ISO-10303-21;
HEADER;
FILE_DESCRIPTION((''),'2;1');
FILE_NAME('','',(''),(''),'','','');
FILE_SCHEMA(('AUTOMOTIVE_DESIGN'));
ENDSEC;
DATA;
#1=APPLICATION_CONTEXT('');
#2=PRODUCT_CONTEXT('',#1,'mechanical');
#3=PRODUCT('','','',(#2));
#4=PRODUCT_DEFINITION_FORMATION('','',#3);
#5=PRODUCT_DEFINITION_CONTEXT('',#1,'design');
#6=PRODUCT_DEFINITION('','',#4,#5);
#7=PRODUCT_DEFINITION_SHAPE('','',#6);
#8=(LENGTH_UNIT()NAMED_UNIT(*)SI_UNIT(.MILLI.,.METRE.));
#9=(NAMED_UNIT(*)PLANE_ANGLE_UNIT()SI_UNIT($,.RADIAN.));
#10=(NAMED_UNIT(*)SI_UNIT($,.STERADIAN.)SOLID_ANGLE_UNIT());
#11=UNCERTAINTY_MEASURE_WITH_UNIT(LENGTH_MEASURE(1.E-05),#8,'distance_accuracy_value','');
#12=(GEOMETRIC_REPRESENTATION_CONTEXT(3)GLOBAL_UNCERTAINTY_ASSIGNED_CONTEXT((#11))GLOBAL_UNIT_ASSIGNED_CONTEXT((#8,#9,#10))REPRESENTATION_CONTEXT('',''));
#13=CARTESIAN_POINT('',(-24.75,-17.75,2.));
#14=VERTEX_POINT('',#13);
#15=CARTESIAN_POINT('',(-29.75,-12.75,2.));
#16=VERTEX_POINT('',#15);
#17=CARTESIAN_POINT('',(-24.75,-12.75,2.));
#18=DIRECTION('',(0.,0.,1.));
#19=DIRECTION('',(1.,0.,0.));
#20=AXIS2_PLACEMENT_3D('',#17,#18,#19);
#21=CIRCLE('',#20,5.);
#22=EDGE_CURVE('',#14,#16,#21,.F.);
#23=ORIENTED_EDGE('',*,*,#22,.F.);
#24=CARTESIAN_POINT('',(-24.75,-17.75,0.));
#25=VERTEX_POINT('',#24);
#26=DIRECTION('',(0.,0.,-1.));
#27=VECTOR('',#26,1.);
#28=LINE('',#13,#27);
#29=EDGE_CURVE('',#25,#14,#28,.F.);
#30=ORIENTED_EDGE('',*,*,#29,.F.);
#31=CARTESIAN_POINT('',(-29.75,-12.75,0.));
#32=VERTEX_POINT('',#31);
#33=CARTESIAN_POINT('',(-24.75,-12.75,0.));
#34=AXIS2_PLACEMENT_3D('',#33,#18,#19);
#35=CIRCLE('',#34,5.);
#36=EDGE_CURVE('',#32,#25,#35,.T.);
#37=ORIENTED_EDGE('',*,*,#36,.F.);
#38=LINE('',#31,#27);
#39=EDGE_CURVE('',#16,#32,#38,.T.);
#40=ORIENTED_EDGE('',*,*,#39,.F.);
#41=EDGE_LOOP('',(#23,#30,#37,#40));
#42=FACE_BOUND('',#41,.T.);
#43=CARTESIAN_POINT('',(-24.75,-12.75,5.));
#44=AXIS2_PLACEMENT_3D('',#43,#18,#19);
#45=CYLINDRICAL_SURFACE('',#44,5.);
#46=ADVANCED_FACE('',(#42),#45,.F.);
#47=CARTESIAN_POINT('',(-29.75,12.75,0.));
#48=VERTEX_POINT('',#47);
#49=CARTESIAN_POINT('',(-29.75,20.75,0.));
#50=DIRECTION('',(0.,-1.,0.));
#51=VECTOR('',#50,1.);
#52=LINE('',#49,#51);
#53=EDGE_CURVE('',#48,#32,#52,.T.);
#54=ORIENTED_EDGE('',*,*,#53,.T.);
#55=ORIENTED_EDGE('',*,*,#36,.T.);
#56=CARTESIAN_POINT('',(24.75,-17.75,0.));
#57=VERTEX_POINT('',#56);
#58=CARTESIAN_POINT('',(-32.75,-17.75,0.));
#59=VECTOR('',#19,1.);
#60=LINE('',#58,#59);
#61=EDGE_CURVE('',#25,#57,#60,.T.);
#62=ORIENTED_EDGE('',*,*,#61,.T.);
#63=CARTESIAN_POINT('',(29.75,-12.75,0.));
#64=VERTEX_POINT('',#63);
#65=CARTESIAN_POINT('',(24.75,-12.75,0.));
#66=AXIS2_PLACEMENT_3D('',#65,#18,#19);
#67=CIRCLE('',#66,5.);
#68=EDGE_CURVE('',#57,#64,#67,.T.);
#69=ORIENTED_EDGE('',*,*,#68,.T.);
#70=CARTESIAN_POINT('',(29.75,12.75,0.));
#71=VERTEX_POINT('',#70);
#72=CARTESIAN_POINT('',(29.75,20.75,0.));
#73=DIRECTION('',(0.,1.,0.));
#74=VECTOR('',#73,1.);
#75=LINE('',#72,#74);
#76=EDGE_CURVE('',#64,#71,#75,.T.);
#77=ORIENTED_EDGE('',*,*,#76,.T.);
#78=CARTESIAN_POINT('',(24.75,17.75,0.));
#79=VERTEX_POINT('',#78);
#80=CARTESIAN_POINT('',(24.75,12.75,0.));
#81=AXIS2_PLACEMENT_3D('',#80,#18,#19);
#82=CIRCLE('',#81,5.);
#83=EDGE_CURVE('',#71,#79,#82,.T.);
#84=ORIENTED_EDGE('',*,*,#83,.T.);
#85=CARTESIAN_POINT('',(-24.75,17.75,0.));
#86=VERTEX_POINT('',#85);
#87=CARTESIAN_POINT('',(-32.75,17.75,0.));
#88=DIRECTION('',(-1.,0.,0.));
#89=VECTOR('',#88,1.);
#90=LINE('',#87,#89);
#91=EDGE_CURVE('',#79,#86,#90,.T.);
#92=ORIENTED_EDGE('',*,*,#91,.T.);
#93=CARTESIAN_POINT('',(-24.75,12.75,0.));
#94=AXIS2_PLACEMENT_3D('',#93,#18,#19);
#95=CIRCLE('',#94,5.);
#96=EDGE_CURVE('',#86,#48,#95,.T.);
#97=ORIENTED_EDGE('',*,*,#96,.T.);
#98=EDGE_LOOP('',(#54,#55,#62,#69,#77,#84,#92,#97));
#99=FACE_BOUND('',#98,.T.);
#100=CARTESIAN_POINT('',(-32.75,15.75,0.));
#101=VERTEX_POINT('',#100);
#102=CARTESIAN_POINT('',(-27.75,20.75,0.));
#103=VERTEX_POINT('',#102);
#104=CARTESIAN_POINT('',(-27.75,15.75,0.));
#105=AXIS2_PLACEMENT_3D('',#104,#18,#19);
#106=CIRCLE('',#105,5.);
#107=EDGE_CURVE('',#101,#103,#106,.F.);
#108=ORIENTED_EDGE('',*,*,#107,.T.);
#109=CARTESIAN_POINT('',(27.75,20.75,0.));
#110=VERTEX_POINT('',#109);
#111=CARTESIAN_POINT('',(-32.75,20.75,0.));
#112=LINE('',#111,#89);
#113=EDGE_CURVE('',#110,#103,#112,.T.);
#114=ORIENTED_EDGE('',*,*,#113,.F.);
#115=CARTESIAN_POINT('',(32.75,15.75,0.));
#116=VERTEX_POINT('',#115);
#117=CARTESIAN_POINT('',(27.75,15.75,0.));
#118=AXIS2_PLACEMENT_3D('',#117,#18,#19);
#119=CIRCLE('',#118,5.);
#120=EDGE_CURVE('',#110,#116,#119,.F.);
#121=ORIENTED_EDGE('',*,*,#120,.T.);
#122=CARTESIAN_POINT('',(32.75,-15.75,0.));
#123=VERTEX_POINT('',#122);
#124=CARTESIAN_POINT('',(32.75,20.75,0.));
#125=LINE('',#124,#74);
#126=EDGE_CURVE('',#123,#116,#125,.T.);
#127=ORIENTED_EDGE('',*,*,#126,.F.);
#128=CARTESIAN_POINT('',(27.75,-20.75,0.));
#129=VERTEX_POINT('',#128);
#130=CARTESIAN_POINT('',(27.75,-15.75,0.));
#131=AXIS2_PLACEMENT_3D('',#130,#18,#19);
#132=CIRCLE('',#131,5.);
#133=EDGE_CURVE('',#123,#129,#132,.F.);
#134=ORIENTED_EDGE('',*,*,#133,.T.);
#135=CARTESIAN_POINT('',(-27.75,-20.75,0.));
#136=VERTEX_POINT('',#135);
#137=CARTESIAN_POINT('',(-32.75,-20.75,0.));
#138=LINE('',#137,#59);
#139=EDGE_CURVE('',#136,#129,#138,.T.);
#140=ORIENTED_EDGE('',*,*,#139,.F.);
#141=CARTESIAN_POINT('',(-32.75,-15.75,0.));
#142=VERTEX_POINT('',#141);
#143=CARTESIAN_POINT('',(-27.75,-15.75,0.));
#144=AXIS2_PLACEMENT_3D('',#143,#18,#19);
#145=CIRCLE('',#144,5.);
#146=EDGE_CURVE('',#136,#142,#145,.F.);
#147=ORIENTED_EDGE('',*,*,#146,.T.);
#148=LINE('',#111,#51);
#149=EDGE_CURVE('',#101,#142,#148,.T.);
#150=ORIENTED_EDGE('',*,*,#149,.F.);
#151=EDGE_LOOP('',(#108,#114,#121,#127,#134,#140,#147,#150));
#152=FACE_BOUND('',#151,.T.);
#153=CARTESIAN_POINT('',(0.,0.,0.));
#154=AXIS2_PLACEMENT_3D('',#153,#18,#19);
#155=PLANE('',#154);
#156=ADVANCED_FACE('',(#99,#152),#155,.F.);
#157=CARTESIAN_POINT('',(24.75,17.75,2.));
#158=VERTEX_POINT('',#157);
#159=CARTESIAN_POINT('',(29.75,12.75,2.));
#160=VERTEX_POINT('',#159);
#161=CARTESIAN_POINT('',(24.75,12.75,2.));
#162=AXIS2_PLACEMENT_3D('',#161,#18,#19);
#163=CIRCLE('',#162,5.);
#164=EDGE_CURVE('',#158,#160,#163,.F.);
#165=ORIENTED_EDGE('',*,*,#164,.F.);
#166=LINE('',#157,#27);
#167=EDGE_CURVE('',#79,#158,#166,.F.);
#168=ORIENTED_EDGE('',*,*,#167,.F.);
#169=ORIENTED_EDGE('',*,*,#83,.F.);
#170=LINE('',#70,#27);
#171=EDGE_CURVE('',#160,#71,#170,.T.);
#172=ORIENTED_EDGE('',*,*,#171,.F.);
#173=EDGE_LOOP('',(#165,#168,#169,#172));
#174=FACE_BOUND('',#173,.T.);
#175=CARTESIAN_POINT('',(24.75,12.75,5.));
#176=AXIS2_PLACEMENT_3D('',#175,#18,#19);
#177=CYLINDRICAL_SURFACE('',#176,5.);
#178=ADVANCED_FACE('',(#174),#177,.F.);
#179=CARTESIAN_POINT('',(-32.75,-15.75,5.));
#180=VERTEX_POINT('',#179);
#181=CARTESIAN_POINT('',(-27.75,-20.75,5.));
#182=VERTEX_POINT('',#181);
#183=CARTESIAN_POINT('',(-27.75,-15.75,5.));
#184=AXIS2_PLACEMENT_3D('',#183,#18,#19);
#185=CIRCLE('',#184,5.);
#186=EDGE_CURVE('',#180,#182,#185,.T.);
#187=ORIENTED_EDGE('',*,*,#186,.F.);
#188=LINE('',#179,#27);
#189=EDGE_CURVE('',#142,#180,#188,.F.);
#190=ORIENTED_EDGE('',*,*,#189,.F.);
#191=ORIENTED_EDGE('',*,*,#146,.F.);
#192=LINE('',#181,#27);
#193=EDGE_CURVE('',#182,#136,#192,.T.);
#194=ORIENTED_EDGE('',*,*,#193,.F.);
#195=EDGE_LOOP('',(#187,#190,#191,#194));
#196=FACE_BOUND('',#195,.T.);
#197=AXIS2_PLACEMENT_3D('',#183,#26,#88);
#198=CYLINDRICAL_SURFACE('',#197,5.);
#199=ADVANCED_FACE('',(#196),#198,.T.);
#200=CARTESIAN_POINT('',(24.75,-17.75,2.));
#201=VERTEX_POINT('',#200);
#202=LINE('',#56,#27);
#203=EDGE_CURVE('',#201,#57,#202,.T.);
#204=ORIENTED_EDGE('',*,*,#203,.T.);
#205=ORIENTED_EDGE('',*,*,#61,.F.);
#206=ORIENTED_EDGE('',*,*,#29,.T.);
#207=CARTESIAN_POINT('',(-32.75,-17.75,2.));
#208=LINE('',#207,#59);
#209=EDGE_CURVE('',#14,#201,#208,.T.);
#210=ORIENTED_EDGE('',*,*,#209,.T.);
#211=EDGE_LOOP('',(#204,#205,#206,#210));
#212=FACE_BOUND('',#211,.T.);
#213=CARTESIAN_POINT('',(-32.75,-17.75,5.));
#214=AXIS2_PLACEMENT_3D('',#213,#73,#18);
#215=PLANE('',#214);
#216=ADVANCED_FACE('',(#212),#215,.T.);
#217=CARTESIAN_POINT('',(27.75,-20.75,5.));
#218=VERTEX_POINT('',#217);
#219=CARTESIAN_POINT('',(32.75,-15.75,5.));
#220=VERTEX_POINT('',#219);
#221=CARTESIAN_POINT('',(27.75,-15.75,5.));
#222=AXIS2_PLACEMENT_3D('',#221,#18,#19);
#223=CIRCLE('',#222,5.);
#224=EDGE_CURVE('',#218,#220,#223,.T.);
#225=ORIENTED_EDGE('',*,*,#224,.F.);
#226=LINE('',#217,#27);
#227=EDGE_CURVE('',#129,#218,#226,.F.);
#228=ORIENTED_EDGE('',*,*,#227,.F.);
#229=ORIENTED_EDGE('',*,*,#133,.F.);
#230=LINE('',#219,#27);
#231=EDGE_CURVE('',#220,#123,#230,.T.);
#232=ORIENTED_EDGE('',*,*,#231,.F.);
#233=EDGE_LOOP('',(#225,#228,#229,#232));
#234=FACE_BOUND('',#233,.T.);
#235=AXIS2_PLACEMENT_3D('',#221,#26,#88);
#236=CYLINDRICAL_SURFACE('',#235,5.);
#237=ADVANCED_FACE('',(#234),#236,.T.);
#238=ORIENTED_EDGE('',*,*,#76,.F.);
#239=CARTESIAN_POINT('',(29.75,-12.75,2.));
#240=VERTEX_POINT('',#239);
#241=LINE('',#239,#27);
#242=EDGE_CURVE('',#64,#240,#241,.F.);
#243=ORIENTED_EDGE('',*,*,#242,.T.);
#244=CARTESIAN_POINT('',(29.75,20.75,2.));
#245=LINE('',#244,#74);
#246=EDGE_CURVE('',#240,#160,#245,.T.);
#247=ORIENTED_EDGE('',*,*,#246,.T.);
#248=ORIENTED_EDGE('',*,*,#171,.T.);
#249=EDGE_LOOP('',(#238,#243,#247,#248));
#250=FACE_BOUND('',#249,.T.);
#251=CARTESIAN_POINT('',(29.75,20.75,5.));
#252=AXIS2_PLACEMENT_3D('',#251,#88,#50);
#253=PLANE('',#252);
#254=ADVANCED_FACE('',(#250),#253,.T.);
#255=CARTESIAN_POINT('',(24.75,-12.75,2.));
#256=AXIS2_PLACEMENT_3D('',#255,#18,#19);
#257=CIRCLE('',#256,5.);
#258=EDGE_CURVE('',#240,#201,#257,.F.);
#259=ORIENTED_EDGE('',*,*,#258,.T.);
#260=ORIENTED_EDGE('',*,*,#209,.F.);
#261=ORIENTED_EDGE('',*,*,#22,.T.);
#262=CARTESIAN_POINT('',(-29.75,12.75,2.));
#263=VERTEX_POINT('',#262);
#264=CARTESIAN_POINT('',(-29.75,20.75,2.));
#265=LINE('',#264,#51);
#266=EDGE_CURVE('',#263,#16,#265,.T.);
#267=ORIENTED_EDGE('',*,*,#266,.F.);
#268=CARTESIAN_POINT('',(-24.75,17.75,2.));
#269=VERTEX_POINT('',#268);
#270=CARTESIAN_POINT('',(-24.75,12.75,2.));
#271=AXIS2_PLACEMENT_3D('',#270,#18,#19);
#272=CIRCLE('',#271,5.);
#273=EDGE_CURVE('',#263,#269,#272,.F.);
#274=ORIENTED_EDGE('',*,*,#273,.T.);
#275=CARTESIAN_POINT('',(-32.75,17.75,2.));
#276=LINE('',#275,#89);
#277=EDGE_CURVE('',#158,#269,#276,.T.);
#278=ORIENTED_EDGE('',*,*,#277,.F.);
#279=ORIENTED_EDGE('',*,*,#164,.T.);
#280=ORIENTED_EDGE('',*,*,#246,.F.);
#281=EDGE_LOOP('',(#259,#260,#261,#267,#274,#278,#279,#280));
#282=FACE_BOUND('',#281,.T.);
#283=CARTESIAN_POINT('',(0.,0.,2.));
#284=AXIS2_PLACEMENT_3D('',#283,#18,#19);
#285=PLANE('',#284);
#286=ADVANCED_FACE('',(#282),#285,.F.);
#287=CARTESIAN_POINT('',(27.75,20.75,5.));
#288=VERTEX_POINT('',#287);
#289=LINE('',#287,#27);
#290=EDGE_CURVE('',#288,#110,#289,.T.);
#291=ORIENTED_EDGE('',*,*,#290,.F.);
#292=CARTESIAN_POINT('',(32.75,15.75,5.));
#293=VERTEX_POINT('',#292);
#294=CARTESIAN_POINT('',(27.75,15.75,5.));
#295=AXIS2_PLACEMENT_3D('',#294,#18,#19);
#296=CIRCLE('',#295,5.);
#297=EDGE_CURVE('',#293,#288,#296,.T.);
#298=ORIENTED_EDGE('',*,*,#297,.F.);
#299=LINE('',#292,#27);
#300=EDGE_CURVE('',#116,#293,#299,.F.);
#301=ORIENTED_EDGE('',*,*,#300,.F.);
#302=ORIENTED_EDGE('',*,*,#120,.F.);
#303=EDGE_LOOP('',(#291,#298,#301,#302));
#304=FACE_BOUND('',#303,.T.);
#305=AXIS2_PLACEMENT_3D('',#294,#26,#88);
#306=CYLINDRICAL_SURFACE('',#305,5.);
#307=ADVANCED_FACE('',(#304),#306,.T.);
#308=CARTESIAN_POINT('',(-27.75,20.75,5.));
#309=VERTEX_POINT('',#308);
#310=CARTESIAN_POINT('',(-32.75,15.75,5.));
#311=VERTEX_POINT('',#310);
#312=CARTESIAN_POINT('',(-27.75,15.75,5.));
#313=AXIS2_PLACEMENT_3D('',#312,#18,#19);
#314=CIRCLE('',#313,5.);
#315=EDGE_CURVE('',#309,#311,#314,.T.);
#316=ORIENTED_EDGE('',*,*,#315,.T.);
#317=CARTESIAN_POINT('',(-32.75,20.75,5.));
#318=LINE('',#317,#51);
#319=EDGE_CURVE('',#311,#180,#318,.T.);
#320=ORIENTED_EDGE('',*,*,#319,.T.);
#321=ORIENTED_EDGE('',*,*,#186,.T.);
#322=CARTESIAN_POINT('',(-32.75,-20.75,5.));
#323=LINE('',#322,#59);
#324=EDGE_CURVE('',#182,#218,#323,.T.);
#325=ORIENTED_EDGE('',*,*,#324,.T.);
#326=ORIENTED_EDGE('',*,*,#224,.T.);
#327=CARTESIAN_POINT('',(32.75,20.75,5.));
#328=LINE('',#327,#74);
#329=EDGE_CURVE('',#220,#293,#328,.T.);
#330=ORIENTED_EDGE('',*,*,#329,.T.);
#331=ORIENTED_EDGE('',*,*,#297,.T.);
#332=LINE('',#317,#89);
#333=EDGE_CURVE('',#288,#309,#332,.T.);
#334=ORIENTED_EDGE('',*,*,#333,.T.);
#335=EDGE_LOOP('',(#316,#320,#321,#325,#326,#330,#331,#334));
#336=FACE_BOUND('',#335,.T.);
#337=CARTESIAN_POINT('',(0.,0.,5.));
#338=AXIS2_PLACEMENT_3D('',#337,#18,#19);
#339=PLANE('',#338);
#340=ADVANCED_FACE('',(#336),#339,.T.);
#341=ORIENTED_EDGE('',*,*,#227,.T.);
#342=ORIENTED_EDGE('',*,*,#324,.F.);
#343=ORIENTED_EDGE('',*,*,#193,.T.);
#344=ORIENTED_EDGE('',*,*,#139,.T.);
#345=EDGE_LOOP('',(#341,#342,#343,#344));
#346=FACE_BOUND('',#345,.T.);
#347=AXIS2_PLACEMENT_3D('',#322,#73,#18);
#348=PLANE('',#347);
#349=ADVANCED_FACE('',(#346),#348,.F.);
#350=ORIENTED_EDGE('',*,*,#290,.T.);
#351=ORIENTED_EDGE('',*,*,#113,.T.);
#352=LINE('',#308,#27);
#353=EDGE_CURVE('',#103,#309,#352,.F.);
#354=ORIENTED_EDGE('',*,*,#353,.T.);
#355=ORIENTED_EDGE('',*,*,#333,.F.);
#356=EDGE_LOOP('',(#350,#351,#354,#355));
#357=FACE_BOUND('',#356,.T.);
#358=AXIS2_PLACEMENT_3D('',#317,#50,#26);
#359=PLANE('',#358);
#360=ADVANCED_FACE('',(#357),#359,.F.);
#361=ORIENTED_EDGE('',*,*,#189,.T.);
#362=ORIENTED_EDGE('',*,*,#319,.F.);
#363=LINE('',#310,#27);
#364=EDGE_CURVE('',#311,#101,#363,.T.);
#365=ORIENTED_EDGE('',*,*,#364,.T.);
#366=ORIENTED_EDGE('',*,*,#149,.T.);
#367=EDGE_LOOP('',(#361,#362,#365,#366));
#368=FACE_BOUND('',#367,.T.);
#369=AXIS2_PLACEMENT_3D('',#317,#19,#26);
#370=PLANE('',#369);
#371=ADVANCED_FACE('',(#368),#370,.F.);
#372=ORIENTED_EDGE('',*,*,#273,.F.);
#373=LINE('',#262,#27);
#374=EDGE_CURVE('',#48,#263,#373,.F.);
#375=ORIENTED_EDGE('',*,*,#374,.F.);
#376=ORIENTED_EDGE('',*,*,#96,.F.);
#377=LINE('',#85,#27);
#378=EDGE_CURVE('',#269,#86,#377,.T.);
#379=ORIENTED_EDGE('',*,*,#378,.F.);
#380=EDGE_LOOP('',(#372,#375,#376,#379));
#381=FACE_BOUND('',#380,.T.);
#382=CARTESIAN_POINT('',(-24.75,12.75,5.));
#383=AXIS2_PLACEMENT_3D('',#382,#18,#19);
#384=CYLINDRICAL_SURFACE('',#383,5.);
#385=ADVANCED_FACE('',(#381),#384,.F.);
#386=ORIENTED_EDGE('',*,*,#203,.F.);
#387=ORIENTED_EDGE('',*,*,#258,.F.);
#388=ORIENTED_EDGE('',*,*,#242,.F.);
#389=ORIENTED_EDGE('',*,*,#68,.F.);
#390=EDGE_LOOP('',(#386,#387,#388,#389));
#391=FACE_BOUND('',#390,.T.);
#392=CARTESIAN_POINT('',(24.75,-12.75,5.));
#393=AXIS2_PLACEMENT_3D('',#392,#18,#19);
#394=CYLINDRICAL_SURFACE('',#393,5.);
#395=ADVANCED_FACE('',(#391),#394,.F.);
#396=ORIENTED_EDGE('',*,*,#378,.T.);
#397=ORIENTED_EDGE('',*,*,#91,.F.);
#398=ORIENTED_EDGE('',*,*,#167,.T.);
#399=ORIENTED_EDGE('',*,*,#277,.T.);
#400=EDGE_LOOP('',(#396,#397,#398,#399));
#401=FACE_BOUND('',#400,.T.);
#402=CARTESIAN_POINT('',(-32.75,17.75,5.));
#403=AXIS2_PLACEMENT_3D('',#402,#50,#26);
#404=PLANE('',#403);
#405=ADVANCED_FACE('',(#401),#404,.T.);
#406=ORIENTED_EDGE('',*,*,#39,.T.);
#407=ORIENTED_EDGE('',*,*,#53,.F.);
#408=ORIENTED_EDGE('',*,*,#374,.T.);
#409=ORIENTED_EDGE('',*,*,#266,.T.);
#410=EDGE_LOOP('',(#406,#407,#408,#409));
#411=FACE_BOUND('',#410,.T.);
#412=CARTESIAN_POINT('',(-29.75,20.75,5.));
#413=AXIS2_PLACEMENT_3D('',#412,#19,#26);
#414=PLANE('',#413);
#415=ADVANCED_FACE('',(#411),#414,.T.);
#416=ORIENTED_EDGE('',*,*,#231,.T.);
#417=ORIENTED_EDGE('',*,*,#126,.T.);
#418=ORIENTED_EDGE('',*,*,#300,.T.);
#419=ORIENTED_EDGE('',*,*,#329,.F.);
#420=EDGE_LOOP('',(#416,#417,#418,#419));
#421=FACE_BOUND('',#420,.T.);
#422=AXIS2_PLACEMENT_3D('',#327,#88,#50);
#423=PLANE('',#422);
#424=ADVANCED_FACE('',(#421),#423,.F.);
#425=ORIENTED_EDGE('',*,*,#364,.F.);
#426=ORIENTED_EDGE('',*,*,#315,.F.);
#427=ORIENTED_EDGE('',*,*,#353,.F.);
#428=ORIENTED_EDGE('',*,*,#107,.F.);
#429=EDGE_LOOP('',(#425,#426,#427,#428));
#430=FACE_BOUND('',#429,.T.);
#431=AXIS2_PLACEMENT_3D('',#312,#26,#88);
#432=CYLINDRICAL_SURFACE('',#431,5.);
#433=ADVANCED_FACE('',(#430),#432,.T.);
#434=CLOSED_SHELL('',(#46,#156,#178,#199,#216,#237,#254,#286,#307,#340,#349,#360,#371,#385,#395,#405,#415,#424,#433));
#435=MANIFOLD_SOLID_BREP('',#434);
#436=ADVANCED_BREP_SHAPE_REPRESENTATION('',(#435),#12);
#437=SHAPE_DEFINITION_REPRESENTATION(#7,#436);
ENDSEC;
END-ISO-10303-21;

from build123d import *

# Parameters (mm, degrees)
ESQUISSE1_W        = 65.5
ESQUISSE1_H        = 41.5
BOSS_EXTRU_1_DEPTH = 5
COQUE1_T           = -3
CONG_1_R           = 5


with BuildPart() as part:
    # Esquisse1 → Boss.-Extru.1 (new body)
    with BuildSketch(Plane.XY):
        Rectangle(ESQUISSE1_W, ESQUISSE1_H)
    extrude(amount=BOSS_EXTRU_1_DEPTH)

    # Coque1
    coque1_openings = [part.faces().sort_by_distance(p)[0] for p in [
        (0, 0, 0),
    ]]
    offset(amount=COQUE1_T, openings=coque1_openings, kind=Kind.INTERSECTION)

    # Congé1
    cong_1_edges = [part.edges().sort_by_distance(p)[0] for p in [
        (29.75, -17.75, 1),
        (29.75, 17.75, 1),
        (-29.75, 17.75, 1),
        (-29.75, -17.75, 1),
        (32.75, -20.75, 2.5),
        (-32.75, -20.75, 2.5),
        (-32.75, 20.75, 2.5),
        (32.75, 20.75, 2.5),
    ]]
    fillet(cong_1_edges, radius=CONG_1_R)


solid = part.part
